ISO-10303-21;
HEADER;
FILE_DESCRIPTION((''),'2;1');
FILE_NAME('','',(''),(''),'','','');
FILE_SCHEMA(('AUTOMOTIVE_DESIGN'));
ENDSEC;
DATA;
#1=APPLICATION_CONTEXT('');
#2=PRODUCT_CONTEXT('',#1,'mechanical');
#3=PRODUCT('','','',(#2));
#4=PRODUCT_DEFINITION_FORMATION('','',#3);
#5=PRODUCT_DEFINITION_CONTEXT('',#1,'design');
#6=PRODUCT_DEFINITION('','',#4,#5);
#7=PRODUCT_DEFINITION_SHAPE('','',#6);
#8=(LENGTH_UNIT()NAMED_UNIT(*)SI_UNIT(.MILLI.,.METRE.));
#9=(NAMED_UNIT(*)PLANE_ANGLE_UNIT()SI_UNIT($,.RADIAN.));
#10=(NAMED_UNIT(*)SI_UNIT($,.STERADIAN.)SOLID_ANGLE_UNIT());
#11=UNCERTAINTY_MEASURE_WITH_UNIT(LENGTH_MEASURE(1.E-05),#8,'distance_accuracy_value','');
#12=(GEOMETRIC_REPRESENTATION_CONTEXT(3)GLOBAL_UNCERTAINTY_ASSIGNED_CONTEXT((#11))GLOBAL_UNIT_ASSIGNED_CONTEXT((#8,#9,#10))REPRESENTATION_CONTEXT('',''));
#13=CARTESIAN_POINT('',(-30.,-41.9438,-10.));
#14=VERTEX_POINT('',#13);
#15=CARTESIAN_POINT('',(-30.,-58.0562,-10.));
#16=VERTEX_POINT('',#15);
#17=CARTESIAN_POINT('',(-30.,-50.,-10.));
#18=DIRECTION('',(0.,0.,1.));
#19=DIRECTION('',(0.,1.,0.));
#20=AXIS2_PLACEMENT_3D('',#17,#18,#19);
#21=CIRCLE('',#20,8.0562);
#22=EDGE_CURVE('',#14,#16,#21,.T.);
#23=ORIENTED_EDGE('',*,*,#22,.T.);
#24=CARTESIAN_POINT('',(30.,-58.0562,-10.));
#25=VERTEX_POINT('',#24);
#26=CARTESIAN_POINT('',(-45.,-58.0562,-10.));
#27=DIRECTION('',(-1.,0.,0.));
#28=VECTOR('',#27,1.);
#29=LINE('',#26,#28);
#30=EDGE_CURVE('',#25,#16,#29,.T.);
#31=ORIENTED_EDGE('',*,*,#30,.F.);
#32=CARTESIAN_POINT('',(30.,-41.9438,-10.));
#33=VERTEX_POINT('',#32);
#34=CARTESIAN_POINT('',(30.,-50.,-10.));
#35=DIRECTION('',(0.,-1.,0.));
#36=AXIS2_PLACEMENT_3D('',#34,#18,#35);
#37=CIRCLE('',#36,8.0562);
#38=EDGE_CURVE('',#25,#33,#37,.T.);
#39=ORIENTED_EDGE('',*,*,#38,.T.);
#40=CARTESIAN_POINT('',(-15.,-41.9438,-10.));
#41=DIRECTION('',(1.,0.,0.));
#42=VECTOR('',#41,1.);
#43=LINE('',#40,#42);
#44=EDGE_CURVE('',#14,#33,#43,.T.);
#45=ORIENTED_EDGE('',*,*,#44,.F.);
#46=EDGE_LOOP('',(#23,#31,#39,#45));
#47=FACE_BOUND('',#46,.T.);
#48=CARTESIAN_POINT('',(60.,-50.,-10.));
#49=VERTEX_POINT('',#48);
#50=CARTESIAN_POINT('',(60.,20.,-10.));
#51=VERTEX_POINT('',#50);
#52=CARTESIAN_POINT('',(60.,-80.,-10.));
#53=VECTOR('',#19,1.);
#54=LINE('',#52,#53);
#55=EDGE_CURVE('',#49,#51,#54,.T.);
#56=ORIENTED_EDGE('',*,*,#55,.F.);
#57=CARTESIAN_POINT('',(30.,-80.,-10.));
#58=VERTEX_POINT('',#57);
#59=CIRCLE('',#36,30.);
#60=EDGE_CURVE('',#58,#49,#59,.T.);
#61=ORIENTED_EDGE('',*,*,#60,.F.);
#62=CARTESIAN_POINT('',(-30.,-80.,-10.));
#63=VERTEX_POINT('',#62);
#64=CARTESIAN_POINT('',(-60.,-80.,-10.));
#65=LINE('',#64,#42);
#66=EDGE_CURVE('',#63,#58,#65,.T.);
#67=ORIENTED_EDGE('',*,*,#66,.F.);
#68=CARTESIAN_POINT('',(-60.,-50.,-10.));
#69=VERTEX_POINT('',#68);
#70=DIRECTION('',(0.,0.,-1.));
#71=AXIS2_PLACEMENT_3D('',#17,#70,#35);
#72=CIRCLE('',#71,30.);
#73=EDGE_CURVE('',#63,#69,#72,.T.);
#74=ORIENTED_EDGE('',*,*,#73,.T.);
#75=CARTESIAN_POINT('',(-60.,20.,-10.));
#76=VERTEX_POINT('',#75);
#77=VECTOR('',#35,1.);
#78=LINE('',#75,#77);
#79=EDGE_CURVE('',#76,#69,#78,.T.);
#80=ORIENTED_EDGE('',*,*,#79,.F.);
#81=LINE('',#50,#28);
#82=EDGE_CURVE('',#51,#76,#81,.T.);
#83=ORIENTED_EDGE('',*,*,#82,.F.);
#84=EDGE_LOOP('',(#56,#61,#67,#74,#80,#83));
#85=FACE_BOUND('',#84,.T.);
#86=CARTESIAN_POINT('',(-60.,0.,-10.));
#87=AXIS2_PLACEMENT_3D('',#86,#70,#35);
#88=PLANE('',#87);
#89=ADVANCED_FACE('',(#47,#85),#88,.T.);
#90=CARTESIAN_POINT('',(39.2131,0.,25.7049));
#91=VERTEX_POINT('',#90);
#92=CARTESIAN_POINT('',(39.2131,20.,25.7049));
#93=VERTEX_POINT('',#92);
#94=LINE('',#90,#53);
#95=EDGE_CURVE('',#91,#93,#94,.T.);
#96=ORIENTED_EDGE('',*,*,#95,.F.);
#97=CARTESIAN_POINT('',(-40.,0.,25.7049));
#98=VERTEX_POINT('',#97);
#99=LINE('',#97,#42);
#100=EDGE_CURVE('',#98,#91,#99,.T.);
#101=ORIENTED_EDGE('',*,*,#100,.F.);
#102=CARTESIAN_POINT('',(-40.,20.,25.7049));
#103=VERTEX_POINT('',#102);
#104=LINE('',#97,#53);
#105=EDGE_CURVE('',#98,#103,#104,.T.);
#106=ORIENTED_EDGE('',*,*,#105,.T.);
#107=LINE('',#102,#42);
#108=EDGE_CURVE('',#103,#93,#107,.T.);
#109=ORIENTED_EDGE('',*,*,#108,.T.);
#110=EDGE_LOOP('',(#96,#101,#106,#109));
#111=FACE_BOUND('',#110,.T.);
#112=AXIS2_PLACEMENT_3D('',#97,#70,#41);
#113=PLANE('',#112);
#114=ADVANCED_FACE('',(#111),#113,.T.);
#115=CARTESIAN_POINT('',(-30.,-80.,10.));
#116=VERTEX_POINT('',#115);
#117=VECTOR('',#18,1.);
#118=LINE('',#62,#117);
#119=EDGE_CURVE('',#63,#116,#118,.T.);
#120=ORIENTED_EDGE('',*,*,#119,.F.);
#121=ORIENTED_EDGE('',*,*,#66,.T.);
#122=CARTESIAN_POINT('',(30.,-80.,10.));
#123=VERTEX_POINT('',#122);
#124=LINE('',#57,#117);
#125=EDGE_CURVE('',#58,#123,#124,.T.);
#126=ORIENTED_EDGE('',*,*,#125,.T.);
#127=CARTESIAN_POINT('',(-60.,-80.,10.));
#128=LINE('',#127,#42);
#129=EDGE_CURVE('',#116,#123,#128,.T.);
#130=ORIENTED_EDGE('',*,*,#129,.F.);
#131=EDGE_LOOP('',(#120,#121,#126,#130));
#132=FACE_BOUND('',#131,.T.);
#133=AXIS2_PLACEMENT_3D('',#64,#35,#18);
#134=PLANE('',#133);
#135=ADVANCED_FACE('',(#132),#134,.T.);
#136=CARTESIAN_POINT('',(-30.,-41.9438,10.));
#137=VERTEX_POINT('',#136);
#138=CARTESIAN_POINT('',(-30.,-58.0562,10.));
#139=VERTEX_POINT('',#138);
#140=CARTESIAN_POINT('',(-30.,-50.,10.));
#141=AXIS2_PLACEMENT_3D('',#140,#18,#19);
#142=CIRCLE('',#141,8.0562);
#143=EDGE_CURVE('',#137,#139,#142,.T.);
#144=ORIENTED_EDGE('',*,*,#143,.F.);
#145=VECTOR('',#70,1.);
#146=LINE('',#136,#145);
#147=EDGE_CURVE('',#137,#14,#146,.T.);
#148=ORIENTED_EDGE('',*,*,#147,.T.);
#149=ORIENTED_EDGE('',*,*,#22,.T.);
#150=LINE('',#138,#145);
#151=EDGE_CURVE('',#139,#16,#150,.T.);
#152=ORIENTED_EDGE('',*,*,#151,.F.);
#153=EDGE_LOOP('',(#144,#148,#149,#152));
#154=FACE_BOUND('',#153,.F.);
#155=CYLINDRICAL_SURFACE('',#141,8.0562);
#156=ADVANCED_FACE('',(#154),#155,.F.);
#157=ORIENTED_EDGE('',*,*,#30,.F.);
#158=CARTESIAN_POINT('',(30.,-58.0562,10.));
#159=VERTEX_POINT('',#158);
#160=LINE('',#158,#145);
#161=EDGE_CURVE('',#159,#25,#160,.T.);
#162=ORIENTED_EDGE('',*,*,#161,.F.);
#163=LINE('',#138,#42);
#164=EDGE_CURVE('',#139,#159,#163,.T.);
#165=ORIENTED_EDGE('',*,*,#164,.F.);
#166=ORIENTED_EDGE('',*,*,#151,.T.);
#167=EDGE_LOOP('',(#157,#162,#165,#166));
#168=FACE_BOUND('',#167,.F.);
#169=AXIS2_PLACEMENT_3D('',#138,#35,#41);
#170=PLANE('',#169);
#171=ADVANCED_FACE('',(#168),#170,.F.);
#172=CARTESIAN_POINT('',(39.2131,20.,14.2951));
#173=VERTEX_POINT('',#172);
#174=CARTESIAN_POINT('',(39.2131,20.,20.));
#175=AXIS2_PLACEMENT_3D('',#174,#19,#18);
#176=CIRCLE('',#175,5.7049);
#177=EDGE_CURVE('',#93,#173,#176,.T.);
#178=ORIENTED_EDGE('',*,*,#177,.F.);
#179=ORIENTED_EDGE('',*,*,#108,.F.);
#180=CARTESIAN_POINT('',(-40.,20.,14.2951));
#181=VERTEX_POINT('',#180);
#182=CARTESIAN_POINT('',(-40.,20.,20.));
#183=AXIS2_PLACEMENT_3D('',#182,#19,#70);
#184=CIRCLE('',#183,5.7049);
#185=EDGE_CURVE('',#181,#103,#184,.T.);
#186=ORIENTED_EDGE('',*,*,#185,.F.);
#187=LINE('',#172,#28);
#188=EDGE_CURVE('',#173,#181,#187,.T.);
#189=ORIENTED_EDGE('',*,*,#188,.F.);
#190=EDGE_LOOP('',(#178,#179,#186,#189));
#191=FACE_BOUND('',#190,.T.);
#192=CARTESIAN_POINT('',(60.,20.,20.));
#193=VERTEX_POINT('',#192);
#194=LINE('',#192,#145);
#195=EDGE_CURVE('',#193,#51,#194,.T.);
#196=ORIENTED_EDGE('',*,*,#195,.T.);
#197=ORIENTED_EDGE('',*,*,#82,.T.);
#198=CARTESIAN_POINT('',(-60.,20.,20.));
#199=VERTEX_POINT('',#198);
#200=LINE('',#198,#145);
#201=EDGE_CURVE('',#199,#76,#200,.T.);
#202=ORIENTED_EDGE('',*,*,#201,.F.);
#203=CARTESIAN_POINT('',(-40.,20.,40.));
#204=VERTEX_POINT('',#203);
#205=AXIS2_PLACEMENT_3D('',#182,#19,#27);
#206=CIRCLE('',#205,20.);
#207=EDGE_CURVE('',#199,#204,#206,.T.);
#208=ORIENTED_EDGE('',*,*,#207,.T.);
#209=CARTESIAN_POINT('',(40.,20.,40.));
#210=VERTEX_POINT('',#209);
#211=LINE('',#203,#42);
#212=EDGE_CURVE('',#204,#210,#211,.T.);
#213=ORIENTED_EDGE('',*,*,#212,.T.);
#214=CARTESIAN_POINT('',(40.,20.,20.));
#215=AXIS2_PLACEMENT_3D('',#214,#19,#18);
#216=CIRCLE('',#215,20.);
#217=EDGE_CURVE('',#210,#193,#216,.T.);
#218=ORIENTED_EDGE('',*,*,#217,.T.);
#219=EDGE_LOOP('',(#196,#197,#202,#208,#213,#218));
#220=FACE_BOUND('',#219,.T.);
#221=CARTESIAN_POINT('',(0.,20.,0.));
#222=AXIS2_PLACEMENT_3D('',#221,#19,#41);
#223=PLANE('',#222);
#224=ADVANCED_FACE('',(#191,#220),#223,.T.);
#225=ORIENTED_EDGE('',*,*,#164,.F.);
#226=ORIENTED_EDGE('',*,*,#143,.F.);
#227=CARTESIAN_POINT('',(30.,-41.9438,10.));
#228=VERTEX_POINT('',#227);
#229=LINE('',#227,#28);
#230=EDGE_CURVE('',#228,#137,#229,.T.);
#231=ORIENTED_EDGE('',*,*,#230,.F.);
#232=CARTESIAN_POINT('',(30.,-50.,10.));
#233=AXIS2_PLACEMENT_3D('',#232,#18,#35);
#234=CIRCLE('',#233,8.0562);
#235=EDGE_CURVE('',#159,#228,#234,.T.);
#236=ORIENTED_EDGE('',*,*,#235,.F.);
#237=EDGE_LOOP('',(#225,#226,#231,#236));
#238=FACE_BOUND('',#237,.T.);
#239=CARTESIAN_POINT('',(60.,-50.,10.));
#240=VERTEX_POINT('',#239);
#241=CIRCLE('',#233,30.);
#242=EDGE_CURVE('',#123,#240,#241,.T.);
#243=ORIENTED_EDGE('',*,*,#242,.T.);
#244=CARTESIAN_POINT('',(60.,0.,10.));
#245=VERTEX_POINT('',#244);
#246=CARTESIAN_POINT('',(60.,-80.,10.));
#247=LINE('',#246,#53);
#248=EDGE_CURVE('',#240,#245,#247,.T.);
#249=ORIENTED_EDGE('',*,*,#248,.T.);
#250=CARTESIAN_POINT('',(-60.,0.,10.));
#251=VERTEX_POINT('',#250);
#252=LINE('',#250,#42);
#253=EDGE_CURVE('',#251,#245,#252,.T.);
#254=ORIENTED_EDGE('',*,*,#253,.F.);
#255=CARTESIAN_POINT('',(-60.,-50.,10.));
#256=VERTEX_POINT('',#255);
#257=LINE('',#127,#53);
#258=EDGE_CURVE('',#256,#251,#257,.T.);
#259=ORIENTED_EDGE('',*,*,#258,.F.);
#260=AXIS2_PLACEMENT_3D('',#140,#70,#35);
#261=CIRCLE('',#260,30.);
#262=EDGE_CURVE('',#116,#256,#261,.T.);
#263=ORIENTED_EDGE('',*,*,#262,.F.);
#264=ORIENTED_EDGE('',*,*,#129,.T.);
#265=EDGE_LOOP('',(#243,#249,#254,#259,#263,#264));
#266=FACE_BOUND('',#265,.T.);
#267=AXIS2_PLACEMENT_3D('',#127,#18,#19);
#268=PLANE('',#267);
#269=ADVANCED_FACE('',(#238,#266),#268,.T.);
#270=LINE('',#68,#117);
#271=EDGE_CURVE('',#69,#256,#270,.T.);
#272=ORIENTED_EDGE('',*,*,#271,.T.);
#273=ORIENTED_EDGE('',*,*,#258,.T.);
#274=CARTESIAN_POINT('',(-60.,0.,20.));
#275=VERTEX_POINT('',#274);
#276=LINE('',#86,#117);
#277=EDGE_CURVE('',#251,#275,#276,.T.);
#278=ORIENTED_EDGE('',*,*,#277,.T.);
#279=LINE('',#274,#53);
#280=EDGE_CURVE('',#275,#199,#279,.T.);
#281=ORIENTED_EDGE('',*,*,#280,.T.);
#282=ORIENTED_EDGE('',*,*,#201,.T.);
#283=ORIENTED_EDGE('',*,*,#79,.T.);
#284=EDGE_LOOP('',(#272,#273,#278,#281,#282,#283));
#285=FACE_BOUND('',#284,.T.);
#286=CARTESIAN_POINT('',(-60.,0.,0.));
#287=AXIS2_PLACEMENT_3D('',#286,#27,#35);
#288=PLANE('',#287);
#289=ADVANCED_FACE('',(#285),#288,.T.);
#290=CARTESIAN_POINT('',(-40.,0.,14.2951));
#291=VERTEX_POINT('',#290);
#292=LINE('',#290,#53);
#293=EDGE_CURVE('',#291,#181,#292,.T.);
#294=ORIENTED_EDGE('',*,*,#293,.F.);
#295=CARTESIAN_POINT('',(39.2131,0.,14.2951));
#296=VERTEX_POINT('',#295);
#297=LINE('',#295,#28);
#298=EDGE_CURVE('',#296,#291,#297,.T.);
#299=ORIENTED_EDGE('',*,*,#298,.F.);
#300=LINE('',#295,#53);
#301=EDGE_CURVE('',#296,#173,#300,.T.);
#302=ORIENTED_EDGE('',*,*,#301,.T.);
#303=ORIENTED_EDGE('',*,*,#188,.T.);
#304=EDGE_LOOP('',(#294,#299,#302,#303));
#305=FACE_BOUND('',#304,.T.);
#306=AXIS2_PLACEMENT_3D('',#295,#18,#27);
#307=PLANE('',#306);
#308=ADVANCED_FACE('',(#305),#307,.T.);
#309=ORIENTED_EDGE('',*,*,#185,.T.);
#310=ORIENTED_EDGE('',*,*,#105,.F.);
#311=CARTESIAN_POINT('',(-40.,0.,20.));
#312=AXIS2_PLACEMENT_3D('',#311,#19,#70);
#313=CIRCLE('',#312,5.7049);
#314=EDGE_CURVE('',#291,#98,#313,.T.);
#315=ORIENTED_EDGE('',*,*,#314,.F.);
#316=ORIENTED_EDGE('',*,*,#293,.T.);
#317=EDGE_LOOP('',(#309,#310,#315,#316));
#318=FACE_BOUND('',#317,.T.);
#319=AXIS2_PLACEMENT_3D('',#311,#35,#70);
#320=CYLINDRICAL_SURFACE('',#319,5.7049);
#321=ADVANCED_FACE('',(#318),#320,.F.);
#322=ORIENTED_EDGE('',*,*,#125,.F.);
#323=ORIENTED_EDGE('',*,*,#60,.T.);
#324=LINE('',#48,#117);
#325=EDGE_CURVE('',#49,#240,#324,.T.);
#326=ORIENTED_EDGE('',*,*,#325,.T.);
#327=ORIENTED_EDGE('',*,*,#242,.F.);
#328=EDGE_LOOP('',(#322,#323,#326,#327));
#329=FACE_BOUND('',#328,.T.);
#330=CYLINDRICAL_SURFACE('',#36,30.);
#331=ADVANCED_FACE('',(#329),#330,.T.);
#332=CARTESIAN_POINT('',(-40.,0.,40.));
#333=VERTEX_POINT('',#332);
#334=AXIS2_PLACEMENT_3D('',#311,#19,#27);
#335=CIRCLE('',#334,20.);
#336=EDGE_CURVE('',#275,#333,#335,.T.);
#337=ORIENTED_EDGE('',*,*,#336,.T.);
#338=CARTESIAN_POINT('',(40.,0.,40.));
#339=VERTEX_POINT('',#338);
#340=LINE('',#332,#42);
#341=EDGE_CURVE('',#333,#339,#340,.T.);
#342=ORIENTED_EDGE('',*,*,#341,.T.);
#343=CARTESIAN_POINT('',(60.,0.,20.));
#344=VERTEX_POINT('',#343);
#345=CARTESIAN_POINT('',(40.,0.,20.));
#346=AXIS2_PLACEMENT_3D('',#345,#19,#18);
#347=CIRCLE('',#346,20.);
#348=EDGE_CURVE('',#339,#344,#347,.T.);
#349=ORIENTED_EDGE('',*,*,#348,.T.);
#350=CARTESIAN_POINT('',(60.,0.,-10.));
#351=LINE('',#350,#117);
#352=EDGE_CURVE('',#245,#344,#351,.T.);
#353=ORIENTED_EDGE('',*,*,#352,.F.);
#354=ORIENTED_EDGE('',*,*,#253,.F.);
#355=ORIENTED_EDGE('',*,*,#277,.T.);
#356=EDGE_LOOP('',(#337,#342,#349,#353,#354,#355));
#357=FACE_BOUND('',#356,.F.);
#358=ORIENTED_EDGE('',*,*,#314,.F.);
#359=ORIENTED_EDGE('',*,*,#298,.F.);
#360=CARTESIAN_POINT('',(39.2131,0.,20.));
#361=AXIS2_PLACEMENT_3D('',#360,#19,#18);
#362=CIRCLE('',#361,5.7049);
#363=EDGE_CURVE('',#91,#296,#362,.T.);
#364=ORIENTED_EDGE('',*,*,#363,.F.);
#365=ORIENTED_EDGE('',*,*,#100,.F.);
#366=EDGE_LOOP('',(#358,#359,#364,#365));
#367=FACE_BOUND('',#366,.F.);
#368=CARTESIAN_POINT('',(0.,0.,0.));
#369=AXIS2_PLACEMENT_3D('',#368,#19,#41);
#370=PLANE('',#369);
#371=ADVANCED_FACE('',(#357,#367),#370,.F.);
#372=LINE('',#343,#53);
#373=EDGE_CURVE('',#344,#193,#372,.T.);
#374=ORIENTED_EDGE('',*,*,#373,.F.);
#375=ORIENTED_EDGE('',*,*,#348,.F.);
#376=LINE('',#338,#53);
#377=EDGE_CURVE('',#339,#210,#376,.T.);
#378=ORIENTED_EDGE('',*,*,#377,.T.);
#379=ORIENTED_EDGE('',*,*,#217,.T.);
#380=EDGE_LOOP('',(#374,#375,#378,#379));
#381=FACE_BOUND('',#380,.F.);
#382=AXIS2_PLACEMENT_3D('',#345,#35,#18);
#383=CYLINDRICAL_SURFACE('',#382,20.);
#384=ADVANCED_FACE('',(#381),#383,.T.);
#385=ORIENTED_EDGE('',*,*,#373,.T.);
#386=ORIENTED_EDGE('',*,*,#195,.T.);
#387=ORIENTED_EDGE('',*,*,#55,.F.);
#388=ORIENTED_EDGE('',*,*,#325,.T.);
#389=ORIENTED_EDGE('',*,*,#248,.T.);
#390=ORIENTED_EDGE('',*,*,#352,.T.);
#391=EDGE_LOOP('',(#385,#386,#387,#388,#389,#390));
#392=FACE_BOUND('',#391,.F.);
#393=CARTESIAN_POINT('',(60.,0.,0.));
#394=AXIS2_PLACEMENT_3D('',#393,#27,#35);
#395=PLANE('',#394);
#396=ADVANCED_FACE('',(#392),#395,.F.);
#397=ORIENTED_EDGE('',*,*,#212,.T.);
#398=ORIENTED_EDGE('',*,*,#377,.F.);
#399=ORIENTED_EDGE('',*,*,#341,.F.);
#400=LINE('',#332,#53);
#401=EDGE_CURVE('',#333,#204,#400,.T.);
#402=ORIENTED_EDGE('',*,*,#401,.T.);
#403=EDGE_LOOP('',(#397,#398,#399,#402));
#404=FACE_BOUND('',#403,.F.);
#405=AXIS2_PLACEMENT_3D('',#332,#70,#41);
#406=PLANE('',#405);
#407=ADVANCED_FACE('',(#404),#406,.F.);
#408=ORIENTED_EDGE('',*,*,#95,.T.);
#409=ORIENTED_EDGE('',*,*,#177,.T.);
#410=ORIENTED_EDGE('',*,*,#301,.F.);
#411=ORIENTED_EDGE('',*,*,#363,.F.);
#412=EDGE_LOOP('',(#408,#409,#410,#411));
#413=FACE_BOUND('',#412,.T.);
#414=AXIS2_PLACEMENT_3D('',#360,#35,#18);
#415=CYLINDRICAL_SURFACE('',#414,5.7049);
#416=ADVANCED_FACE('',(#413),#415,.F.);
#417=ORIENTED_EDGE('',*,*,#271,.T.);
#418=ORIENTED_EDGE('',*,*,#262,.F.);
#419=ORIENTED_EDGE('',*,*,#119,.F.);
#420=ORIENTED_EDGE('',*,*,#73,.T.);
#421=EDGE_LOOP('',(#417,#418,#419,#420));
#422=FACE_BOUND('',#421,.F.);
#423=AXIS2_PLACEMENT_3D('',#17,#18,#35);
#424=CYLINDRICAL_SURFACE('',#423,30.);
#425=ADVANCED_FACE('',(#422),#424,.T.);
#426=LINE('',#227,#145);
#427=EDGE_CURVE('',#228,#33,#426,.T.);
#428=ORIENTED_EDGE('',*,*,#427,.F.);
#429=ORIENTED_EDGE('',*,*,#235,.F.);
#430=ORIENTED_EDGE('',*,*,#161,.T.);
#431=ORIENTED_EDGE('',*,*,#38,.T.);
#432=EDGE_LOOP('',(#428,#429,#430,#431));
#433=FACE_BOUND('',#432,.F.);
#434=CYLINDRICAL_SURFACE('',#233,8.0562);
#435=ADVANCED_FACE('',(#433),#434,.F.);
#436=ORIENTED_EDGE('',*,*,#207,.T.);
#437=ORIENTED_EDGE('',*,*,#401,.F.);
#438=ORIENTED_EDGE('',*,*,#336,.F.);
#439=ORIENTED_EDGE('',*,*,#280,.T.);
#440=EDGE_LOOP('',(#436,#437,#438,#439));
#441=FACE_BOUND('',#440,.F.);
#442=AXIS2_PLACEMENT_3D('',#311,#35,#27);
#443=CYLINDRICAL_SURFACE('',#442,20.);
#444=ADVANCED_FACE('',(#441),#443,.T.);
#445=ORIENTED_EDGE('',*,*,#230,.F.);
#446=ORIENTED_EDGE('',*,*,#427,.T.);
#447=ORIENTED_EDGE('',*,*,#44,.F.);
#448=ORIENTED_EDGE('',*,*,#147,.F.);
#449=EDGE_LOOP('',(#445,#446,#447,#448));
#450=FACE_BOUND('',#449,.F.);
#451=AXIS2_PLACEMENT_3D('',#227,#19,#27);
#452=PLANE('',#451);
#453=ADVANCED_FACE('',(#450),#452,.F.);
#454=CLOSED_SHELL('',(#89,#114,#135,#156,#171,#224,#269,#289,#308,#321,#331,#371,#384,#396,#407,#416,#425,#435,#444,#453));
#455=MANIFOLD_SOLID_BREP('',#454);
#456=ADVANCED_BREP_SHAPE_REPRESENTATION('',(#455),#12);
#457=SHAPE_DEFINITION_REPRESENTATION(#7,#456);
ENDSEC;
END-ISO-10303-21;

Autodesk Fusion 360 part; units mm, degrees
sketch "Sketch1" plane through (0, 0, 0) normal (0, 1, 0) x (1, 0, 0)
  line L0 (-60, -10) -> (60, -10)
  line L1 (60, -10) -> (60, 10)
  line L2 (60, 10) -> (-60, 10)
  line L3 (-60, 10) -> (-60, -10)
  line L4 (-60, -10) -> (60, 10) construction
  line L5 (60, -10) -> (-60, 10) construction
  line L6 (-60, -10) -> (-60, -20)
  line L7 (-40, -40) -> (40, -40)
  line L8 (60, -20) -> (60, -10)
  line L9 (39.2131, -14.2951) -> (-40, -14.2951)
  arc A0 (-40, -14.2951) -> (-40, -25.7049) centre (-40, -20) ccw
  line L10 (-40, -25.7049) -> (39.2131, -25.7049)
  arc A1 (39.2131, -25.7049) -> (39.2131, -14.2951) centre (39.2131, -20) ccw
  line L11 (39.2131, -20) -> (-40, -20) construction
  arc A2 (-60, -20) -> (-40, -40) centre (-40, -20) ccw
  arc A3 (40, -40) -> (60, -20) centre (40, -20) ccw
  point P0 (-60, -40)
  point P1 (60, -40)
  point P2 (-0.3934, -20)
  dimension "d1" = 20
  dimension "d2" = 120
  dimension "d3" = 30
  dimension "d4" = 120
  dimension "d5" = 20
  dimension "d6" = 20
  dimension "d7" = 30
extrude "Extrude1" add sketch "Sketch1" along normal blind 20
sketch "Sketch2" plane through (-60, 0, 0) normal (-1, 0, 0) x (0, -1, 0)
  line L0 (0, -10) -> (0, 20)
  line L1 (0, 20) -> (-20, 20)
  line L2 (-20, 20) -> (-20, -10)
  line L3 (-20, -10) -> (0, -10)
  line L4 (0, -10) -> (80, -10)
  line L5 (80, -10) -> (80, 10)
  line L6 (80, 10) -> (0, 10)
  line L7 (0, 10) -> (0, -10)
  dimension "d10" = 80
  dimension "d11" = 20
extrude "Extrude2" add sketch "Sketch2" against normal blind 120 contours L0 L4 L5 L6 L7
fillet "Fillet1" radius 30 2 edges at (-60, -80, 0) (60, -80, 0)
sketch "Sketch3" plane through (0, 0, 10) normal (0, 0, 1) x (-1, 0, 0)
  arc A0 (-30, 80) -> (-60, 50) centre (-30, 50) ccw
  line L0 (-60, 50) -> (-60, 0)
  line L1 (-60, 0) -> (60, 0)
  line L2 (60, 0) -> (60, 50)
  arc A1 (60, 50) -> (30, 80) centre (30, 50) ccw
  line L3 (30, 80) -> (-30, 80)
  line L4 (-30, 41.9438) -> (30, 41.9438)
  arc A2 (30, 41.9438) -> (30, 58.0562) centre (30, 50) ccw
  line L5 (30, 58.0562) -> (-30, 58.0562)
  arc A3 (-30, 58.0562) -> (-30, 41.9438) centre (-30, 50) ccw
  line L6 (-30, 50) -> (30, 50) construction
  point P0 (0, 50)
  dimension "d16" = 60
  dimension "d18" = 30
extrude "Extrude3" cut sketch "Sketch3" against normal blind 58.307 contours L4 A2 L5 A3
